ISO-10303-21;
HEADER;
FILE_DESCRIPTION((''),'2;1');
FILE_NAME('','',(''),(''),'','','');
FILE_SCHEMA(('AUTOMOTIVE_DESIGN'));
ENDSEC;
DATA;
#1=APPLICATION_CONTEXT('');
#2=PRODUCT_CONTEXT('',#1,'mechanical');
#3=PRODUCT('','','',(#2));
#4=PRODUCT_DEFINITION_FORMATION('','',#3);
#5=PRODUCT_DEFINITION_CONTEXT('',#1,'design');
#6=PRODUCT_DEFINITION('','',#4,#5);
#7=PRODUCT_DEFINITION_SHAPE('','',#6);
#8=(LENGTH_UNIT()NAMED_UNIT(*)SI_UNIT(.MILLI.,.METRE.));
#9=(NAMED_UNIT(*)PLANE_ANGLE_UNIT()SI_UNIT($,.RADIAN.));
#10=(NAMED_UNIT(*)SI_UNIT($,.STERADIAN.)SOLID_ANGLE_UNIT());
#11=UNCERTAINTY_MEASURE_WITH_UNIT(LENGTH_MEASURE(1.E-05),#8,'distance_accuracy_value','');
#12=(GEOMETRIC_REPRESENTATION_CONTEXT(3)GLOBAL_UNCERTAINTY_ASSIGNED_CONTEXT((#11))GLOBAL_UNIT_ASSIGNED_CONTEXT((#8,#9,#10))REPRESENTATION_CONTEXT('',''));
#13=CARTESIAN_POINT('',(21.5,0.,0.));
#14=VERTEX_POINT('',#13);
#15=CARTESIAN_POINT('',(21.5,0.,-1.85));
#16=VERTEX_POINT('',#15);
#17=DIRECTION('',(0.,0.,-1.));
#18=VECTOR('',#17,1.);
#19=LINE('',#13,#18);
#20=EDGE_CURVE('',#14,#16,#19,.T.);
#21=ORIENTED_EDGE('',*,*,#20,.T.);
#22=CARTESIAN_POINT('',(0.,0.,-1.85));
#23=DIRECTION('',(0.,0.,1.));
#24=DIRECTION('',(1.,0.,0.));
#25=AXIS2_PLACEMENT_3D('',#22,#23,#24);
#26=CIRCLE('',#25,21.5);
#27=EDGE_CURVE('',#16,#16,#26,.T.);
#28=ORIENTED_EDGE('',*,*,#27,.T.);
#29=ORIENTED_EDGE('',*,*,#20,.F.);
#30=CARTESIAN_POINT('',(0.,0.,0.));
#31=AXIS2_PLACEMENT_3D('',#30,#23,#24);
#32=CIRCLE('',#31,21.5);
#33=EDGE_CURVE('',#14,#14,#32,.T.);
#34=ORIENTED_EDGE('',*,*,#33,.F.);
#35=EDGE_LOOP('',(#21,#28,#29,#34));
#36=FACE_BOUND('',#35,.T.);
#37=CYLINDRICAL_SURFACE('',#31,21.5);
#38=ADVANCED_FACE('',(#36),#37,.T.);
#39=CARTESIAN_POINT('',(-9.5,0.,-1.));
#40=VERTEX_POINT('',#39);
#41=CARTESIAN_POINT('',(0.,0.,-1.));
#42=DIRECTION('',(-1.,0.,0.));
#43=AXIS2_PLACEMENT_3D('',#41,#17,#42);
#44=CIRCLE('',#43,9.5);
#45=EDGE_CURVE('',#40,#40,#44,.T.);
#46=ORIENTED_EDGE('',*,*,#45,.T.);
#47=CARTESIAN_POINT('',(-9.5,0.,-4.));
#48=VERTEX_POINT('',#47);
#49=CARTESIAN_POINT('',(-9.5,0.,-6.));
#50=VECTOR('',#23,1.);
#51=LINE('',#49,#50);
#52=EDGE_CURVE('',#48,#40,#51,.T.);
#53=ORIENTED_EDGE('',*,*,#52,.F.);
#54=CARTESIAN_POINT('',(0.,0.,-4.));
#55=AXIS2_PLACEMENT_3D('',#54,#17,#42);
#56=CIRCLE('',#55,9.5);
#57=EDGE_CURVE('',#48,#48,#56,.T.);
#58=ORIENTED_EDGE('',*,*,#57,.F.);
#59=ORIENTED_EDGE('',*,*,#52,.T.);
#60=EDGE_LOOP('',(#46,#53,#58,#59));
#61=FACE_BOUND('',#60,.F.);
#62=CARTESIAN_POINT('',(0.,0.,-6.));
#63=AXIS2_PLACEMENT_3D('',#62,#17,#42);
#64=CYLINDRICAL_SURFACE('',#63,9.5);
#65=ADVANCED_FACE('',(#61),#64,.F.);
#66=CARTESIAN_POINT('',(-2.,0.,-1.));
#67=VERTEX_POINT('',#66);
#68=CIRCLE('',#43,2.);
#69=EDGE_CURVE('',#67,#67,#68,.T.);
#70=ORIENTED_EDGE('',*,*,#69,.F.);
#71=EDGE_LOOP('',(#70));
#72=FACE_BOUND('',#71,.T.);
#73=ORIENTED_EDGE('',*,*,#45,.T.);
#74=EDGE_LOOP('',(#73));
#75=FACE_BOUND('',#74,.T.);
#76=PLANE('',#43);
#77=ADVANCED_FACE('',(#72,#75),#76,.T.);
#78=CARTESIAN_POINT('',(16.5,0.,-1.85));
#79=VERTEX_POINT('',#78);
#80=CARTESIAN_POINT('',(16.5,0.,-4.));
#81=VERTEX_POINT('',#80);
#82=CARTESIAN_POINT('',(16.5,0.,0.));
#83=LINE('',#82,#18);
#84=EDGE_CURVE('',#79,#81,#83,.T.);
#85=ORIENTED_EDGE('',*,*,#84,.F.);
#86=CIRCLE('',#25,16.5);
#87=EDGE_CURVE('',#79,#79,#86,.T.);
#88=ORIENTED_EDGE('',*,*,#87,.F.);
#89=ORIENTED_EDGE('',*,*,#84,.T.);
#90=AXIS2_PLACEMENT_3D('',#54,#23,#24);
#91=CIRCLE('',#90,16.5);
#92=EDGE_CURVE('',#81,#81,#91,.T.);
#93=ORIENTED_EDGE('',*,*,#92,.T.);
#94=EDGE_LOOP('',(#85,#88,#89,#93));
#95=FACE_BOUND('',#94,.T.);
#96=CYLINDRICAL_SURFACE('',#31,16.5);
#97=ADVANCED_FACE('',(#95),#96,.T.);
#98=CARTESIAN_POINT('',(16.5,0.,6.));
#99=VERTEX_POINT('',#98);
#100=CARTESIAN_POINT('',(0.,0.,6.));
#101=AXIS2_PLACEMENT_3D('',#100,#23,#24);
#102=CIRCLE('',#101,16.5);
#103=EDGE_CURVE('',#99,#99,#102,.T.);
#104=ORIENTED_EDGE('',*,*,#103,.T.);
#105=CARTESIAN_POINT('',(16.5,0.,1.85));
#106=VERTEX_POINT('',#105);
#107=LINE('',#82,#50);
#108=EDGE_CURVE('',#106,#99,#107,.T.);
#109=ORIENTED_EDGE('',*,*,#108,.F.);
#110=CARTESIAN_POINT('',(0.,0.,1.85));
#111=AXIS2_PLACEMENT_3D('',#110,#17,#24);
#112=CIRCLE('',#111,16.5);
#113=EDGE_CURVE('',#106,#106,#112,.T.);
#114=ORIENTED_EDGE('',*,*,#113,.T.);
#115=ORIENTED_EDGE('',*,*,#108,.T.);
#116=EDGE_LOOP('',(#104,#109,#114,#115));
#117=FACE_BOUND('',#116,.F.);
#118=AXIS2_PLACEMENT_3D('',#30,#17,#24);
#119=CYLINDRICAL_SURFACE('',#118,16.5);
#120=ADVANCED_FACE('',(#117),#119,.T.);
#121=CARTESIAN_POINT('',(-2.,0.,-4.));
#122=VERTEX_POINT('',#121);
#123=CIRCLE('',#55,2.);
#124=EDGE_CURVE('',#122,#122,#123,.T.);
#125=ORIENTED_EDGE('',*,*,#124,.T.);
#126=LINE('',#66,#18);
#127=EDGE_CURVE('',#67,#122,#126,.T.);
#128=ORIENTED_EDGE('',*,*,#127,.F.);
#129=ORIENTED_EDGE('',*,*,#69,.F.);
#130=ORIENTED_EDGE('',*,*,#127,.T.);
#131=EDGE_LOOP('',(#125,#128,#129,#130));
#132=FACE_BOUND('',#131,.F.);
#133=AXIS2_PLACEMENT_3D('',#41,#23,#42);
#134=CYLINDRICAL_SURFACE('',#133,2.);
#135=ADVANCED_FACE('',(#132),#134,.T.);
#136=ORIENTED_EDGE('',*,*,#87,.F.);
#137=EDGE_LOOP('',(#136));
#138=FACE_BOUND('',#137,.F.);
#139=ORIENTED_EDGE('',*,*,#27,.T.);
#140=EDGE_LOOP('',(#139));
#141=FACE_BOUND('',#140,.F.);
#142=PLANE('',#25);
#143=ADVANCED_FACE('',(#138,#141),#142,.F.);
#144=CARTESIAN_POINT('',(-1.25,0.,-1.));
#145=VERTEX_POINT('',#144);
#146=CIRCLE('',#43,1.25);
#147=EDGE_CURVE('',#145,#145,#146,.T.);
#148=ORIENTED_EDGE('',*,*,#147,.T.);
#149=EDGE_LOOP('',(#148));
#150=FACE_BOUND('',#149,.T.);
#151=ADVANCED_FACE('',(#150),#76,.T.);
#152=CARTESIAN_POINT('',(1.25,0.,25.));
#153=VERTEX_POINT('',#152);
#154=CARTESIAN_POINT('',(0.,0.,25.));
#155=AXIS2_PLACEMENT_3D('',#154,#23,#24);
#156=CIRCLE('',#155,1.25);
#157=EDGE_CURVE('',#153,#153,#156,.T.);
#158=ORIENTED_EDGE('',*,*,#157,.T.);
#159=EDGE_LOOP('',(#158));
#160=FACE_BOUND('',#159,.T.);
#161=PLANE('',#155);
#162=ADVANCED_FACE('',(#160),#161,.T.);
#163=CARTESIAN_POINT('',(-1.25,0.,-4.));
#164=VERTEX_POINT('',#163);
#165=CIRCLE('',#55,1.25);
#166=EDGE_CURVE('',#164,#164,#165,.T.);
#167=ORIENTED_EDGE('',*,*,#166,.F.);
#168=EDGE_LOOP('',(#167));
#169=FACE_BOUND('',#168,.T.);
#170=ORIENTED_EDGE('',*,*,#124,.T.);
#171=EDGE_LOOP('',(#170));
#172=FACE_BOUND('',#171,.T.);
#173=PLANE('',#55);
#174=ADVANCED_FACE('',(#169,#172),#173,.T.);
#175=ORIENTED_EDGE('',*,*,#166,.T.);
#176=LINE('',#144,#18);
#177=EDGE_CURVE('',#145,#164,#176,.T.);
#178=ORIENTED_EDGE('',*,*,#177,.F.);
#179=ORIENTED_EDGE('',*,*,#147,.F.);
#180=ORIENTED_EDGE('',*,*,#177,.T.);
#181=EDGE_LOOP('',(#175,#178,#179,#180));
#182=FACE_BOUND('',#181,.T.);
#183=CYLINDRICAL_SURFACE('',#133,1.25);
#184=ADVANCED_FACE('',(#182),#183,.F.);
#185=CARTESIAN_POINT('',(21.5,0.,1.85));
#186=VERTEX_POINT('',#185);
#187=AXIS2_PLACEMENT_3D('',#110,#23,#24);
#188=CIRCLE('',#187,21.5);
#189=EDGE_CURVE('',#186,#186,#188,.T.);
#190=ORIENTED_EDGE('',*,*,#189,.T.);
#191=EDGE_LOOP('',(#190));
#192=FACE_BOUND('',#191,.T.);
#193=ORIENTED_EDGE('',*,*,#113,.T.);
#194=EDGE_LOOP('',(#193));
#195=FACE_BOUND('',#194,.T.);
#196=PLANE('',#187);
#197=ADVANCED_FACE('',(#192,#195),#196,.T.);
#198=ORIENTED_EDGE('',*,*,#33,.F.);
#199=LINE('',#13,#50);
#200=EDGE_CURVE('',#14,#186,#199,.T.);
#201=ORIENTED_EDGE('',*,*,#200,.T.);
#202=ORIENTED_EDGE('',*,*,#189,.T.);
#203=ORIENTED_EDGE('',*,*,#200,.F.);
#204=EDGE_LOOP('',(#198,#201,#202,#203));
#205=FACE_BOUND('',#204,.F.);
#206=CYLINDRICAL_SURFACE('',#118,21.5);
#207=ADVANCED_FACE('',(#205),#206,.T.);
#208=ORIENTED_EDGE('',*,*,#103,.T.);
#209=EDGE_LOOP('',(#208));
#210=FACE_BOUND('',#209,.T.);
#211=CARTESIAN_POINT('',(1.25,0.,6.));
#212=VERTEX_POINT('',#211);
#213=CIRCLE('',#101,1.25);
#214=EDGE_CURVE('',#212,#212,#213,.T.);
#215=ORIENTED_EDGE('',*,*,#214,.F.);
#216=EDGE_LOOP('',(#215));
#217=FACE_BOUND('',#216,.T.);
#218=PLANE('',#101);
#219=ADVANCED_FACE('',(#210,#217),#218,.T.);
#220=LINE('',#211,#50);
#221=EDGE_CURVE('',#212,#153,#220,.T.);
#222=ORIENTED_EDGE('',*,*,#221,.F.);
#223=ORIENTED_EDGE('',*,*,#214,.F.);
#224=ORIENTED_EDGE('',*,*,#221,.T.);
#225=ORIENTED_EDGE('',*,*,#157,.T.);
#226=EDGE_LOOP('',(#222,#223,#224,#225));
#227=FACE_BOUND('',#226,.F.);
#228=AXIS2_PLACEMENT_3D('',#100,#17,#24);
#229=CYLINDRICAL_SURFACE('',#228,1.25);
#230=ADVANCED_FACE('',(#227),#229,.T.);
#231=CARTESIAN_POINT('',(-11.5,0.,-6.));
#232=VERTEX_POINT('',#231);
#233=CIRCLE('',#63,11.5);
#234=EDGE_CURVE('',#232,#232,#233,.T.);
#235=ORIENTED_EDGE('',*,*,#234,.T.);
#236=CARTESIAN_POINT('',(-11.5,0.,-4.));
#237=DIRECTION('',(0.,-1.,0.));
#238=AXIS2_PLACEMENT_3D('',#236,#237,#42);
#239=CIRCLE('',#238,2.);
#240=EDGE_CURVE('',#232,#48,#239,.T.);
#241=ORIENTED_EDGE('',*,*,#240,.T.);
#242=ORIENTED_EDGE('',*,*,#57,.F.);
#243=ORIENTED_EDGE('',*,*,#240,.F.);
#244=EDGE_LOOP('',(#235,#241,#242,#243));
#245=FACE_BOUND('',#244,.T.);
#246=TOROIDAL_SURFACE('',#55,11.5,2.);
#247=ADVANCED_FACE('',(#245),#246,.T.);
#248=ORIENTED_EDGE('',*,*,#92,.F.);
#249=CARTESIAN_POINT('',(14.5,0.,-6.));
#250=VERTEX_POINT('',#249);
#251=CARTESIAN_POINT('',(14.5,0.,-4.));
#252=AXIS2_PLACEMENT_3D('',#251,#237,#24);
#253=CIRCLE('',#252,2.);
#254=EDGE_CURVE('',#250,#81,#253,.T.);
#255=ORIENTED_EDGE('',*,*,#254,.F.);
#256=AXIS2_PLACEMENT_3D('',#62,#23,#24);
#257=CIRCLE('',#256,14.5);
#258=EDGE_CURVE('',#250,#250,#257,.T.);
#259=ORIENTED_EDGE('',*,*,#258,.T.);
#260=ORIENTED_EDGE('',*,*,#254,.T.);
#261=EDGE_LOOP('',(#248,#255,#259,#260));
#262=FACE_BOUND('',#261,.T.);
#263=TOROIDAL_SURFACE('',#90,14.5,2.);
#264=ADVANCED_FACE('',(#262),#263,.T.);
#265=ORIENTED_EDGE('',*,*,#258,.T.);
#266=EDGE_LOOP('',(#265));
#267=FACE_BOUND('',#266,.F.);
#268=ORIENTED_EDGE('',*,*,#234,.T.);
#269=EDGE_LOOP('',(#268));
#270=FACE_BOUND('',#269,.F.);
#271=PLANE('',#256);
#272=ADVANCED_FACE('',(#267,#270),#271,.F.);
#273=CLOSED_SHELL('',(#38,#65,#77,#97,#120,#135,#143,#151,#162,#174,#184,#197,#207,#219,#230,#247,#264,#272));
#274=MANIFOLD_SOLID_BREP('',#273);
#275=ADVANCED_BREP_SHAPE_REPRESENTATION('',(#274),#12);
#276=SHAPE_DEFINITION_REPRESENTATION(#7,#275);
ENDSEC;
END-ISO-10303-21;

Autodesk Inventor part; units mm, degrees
ref_plane "YZ Plane" through (0, 0, 0) normal (1, 0, 0) x (0, 1, 0)
ref_plane "XZ Plane" through (0, 0, 0) normal (0, 1, 0) x (-1, 0, 0)
ref_plane "XY Plane" through (0, 0, 0) normal (0, 0, 1) x (1, 0, 0)
sketch "Sketch2" plane through (0, 0, 0) normal (0, 0, 1) x (1, 0, 0)
  circle A0 centre (0, 0) radius 16.5
  dimension "d0" = 33
extrude "Extrusion1" add sketch "Sketch2" along normal mid plane 12
sketch "Sketch3" plane through (0, 0, 6) normal (0, 0, 1) x (1, 0, 0)
  circle A0 centre (0, 0) radius 1.25
  dimension "d3" = 2.5
extrude "Extrusion2" add sketch "Sketch3" along normal blind 19
ref_plane "Work Plane1" through (0, 0, 15.5) normal (0, 0, 1) x (1, 0, 0)
sketch "Sketch7" plane through (0, 0, 0) normal (0, 0, 1) x (1, 0, 0)
  circle A0 centre (0, 0) radius 21.5
  dimension "d19" = 43
extrude "Extrusion6" add sketch "Sketch7" along normal mid plane 3.7
sketch "Sketch12" plane through (0, 0, -6) normal (0, 0, -1) x (-1, 0, 0)
  circle A0 centre (0, 0) radius 16.5 projected
  circle A1 centre (0, 0) radius 9.5
extrude "Extrusion9" cut sketch "Sketch12" against normal blind 5 contours A1
sketch "Sketch13" plane through (0, 0, -1) normal (0, 0, -1) x (-1, 0, 0)
  circle A0 centre (0, 0) radius 2
  circle A1 centre (0, 0) radius 1.25 projected
  dimension "d33" = 2
extrude "Extrusion10" add sketch "Sketch13" along normal blind 3
fillet "Fillet1" radius 2 1 edges at (9.5, 0, -6)
fillet "Fillet2" radius 2 1 edges at (-16.5, 0, -6)
properties part number "robot" material "PBT Plastic"
